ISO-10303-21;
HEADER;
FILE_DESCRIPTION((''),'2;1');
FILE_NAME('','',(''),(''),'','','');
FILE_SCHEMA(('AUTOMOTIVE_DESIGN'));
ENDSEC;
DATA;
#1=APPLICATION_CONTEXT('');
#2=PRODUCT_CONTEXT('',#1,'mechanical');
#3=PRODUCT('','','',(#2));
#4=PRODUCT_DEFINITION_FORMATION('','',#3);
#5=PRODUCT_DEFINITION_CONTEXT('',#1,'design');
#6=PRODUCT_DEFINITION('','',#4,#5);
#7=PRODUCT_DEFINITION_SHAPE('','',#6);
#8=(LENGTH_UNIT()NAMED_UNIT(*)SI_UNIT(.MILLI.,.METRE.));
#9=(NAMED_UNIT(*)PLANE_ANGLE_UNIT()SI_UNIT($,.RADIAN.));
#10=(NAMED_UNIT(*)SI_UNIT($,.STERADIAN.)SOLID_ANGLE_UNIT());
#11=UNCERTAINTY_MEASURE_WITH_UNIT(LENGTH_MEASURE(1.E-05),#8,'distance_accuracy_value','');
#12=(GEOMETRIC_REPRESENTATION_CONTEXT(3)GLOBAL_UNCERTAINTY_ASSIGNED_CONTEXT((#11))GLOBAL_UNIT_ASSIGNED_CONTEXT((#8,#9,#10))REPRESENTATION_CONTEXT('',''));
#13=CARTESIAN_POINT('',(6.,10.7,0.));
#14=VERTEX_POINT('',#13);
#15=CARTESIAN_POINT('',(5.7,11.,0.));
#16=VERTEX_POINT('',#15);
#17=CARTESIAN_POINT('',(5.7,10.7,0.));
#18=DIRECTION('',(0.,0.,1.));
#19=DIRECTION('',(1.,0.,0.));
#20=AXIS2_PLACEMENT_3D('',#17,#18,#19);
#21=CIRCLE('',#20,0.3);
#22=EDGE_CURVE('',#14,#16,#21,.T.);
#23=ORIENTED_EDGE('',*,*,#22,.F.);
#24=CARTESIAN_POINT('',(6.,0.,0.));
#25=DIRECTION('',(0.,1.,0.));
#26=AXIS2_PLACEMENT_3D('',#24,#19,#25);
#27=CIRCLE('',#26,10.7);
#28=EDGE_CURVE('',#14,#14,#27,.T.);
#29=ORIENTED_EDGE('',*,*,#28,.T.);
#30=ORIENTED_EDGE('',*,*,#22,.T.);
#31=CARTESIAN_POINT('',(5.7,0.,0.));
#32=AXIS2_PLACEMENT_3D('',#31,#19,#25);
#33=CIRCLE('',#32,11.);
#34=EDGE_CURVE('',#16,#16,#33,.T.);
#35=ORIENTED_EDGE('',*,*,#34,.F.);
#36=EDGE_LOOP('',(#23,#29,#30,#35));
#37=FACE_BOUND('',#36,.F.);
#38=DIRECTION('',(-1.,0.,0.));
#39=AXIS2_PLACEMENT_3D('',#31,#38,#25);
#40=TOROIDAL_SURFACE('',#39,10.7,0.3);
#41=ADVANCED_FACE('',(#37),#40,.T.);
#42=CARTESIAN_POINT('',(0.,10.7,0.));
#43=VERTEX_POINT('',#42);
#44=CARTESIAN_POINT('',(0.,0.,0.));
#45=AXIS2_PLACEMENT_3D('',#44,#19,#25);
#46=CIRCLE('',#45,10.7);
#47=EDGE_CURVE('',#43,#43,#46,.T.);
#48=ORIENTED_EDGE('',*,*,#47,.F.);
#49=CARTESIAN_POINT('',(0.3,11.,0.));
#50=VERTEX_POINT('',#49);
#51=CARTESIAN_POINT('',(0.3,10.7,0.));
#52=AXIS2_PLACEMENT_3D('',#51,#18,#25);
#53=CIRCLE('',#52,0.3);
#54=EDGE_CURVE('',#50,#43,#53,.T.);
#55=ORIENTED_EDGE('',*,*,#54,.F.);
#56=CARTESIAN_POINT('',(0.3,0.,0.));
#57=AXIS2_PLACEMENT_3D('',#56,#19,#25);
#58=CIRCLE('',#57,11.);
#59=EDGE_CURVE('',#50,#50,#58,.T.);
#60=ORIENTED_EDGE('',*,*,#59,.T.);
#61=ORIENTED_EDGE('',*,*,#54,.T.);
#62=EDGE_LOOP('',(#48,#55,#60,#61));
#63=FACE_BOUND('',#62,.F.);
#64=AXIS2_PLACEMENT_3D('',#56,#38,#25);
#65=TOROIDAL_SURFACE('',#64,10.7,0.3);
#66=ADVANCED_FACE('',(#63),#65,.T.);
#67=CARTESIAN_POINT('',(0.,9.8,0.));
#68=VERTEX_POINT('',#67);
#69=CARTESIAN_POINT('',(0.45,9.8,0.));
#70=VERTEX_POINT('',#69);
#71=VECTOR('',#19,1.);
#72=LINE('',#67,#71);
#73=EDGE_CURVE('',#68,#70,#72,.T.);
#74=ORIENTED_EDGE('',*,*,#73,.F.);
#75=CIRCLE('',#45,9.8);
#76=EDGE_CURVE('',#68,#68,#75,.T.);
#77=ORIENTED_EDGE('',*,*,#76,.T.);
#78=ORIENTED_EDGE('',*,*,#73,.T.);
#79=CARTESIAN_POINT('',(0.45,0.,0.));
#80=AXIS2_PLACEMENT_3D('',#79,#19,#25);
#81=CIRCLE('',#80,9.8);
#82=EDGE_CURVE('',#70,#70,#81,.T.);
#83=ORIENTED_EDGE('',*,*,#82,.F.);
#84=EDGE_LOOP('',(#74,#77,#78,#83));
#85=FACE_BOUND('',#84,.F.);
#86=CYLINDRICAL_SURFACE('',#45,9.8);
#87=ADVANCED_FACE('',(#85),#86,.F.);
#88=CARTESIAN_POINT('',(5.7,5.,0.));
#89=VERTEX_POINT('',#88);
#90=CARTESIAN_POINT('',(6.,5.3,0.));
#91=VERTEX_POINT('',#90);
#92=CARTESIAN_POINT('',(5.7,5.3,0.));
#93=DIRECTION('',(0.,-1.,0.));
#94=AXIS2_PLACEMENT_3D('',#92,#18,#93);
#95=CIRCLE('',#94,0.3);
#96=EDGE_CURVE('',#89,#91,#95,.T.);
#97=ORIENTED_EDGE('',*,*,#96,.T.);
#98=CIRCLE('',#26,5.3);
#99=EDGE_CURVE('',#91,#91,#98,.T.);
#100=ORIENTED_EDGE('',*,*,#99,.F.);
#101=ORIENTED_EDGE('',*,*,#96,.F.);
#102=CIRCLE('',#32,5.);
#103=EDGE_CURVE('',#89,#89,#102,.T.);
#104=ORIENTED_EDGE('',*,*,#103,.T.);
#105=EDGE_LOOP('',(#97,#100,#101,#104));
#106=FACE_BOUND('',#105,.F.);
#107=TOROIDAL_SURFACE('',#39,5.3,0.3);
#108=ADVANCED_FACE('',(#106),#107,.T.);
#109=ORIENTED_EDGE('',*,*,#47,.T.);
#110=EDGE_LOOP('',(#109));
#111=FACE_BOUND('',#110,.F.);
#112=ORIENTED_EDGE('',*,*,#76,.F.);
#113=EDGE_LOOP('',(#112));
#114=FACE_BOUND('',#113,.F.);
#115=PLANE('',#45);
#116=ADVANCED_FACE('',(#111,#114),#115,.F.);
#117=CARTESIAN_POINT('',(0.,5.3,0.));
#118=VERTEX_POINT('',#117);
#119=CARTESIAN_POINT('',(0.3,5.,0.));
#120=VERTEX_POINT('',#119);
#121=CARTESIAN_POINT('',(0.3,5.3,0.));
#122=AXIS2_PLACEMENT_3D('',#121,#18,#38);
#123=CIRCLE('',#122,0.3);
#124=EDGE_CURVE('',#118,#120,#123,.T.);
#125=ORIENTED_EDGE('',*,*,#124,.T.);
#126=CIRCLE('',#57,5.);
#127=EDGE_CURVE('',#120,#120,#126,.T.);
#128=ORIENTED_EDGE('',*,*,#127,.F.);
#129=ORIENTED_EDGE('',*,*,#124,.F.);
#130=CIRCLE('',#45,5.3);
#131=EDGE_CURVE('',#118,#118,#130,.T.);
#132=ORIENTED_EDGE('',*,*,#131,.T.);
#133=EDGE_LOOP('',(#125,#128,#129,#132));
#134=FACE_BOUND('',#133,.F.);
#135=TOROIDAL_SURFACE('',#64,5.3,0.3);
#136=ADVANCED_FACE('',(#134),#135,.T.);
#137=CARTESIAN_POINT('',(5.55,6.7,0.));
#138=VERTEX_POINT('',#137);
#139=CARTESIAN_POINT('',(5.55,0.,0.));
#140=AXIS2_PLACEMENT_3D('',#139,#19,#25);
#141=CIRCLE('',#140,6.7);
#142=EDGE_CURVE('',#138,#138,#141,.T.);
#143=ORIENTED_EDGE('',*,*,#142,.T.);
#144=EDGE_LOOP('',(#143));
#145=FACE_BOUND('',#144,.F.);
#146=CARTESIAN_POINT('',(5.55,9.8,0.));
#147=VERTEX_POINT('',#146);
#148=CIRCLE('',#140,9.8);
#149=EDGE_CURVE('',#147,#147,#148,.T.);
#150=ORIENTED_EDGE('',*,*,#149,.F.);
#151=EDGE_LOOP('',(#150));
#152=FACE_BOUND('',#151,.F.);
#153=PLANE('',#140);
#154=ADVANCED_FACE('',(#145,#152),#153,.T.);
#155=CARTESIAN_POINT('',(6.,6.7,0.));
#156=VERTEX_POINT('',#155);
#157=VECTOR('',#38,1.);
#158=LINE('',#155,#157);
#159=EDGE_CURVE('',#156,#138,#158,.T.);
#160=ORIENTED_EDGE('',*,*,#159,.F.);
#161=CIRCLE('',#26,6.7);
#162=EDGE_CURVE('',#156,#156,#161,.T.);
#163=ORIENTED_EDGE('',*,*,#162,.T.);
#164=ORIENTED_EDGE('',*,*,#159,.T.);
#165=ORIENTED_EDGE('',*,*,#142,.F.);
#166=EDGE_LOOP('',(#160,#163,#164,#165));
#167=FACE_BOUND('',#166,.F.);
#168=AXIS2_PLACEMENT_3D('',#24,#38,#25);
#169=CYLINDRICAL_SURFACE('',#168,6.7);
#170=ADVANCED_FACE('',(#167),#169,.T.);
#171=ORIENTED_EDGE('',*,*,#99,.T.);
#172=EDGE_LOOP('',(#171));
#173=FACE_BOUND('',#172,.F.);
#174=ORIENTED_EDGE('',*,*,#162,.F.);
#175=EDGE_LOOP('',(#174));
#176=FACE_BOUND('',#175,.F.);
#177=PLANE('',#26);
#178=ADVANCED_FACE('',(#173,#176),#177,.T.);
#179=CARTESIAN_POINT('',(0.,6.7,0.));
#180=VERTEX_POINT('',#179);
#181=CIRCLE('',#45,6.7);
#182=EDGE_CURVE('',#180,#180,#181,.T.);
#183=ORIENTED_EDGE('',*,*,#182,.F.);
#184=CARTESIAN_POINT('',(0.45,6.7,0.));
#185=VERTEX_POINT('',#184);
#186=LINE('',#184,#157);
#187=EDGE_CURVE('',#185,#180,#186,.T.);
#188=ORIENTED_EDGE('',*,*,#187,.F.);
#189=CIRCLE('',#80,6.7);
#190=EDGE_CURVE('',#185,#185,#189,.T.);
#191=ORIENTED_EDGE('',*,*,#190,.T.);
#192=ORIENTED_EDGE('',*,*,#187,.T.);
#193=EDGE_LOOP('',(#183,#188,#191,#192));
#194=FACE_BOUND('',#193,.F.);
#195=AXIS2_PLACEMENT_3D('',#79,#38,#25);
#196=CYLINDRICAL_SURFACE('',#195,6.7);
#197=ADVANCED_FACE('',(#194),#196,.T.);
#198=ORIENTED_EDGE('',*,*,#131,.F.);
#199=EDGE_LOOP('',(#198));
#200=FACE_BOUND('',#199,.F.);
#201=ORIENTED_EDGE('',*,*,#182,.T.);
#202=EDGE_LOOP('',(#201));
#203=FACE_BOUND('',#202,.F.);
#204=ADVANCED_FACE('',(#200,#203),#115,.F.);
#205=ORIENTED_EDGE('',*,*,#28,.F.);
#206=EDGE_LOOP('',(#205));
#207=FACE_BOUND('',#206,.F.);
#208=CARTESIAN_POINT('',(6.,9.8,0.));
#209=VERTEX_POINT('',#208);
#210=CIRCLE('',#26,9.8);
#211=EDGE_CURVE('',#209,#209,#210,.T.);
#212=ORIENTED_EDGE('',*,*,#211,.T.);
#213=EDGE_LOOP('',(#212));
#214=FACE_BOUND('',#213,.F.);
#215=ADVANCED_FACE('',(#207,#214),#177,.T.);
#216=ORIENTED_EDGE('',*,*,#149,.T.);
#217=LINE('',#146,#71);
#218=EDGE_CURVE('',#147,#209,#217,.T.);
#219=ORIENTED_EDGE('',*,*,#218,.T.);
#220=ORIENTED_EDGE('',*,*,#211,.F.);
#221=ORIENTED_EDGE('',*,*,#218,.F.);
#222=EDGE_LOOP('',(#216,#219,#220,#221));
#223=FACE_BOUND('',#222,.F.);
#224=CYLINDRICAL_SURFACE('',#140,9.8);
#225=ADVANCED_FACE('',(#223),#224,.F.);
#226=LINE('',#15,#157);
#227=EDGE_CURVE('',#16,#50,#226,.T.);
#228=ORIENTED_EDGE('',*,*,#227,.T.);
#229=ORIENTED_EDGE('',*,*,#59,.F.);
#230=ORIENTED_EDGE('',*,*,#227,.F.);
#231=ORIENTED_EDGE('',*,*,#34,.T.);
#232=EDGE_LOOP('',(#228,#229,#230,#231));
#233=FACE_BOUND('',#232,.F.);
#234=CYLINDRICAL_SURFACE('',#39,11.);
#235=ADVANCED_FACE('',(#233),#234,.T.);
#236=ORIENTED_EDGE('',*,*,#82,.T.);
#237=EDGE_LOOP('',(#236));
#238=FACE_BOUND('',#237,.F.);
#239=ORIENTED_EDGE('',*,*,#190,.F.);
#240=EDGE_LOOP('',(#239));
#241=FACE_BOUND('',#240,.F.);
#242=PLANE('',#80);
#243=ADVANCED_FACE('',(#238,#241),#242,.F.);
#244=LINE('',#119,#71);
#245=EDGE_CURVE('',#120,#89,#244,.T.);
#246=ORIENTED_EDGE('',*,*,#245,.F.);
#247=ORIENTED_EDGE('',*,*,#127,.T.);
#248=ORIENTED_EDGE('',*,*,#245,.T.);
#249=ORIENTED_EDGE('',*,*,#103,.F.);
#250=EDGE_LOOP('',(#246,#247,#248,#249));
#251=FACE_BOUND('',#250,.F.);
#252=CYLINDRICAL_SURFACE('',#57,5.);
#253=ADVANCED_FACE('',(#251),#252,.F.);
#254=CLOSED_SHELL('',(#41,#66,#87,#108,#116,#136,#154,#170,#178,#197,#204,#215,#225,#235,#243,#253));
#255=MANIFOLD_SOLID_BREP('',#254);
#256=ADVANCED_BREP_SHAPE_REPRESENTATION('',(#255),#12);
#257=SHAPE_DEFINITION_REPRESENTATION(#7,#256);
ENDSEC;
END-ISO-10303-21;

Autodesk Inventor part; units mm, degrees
sketch "Sketch_1" plane through (0, 0, 0) normal (0, 0, 1) x (1, 0, 0)
  line L0 (6, 0) -> (0, 0)
  arc A0 (0, 5.3) -> (0.3, 5) centre (0.3, 5.3) ccw
  line L1 (0.3, 5) -> (5.7, 5)
  arc A1 (5.7, 5) -> (6, 5.3) centre (5.7, 5.3) ccw
  line L2 (6, 5.3) -> (6, 6.7)
  line L3 (6, 6.7) -> (5.55, 6.7)
  line L4 (5.55, 6.7) -> (5.55, 9.8)
  line L5 (5.55, 9.8) -> (6, 9.8)
  line L6 (6, 9.8) -> (6, 10.7)
  arc A2 (6, 10.7) -> (5.7, 11) centre (5.7, 10.7) ccw
  line L7 (5.7, 11) -> (0.3, 11)
  arc A3 (0.3, 11) -> (0, 10.7) centre (0.3, 10.7) ccw
  line L8 (0, 10.7) -> (0, 9.8)
  line L9 (0, 9.8) -> (0.45, 9.8)
  line L10 (0.45, 9.8) -> (0.45, 6.7)
  line L11 (0.45, 6.7) -> (0, 6.7)
  line L12 (0, 6.7) -> (0, 5.3)
revolve "Revolution1" add sketch "Sketch_1" angle 360 about axis through (6, 0, 0) along (1, 0, 0)
ref_plane "center_point_XY" through (3, 0, 0) normal (1, 0, 0) x (0, 0, -1)
ref_plane "center_point_YZ" through (3, 0, 0) normal (0, 0, -1) x (0, 1, 0)
ref_plane "center_point_ZX" through (3, 0, 0) normal (0, 1, 0) x (1, 0, 0)
ref_plane "to_housing_XY" through (0, 0, 0) normal (1, 0, 0) x (0, 0, -1)
ref_plane "to_housing_YZ" through (0, 0, 0) normal (0, 0, -1) x (0, 1, 0)
ref_plane "to_housing_ZX" through (0, 0, 0) normal (0, 1, 0) x (1, 0, 0)
ref_plane "to_ring_XY" through (5.1, 0, 0) normal (1, 0, 0) x (0, 0, -1)
ref_plane "to_ring_YZ" through (5.1, 0, 0) normal (0, 0, -1) x (0, 1, 0)
ref_plane "to_ring_ZX" through (5.1, 0, 0) normal (0, 1, 0) x (1, 0, 0)
properties part number "bearing_6900"
